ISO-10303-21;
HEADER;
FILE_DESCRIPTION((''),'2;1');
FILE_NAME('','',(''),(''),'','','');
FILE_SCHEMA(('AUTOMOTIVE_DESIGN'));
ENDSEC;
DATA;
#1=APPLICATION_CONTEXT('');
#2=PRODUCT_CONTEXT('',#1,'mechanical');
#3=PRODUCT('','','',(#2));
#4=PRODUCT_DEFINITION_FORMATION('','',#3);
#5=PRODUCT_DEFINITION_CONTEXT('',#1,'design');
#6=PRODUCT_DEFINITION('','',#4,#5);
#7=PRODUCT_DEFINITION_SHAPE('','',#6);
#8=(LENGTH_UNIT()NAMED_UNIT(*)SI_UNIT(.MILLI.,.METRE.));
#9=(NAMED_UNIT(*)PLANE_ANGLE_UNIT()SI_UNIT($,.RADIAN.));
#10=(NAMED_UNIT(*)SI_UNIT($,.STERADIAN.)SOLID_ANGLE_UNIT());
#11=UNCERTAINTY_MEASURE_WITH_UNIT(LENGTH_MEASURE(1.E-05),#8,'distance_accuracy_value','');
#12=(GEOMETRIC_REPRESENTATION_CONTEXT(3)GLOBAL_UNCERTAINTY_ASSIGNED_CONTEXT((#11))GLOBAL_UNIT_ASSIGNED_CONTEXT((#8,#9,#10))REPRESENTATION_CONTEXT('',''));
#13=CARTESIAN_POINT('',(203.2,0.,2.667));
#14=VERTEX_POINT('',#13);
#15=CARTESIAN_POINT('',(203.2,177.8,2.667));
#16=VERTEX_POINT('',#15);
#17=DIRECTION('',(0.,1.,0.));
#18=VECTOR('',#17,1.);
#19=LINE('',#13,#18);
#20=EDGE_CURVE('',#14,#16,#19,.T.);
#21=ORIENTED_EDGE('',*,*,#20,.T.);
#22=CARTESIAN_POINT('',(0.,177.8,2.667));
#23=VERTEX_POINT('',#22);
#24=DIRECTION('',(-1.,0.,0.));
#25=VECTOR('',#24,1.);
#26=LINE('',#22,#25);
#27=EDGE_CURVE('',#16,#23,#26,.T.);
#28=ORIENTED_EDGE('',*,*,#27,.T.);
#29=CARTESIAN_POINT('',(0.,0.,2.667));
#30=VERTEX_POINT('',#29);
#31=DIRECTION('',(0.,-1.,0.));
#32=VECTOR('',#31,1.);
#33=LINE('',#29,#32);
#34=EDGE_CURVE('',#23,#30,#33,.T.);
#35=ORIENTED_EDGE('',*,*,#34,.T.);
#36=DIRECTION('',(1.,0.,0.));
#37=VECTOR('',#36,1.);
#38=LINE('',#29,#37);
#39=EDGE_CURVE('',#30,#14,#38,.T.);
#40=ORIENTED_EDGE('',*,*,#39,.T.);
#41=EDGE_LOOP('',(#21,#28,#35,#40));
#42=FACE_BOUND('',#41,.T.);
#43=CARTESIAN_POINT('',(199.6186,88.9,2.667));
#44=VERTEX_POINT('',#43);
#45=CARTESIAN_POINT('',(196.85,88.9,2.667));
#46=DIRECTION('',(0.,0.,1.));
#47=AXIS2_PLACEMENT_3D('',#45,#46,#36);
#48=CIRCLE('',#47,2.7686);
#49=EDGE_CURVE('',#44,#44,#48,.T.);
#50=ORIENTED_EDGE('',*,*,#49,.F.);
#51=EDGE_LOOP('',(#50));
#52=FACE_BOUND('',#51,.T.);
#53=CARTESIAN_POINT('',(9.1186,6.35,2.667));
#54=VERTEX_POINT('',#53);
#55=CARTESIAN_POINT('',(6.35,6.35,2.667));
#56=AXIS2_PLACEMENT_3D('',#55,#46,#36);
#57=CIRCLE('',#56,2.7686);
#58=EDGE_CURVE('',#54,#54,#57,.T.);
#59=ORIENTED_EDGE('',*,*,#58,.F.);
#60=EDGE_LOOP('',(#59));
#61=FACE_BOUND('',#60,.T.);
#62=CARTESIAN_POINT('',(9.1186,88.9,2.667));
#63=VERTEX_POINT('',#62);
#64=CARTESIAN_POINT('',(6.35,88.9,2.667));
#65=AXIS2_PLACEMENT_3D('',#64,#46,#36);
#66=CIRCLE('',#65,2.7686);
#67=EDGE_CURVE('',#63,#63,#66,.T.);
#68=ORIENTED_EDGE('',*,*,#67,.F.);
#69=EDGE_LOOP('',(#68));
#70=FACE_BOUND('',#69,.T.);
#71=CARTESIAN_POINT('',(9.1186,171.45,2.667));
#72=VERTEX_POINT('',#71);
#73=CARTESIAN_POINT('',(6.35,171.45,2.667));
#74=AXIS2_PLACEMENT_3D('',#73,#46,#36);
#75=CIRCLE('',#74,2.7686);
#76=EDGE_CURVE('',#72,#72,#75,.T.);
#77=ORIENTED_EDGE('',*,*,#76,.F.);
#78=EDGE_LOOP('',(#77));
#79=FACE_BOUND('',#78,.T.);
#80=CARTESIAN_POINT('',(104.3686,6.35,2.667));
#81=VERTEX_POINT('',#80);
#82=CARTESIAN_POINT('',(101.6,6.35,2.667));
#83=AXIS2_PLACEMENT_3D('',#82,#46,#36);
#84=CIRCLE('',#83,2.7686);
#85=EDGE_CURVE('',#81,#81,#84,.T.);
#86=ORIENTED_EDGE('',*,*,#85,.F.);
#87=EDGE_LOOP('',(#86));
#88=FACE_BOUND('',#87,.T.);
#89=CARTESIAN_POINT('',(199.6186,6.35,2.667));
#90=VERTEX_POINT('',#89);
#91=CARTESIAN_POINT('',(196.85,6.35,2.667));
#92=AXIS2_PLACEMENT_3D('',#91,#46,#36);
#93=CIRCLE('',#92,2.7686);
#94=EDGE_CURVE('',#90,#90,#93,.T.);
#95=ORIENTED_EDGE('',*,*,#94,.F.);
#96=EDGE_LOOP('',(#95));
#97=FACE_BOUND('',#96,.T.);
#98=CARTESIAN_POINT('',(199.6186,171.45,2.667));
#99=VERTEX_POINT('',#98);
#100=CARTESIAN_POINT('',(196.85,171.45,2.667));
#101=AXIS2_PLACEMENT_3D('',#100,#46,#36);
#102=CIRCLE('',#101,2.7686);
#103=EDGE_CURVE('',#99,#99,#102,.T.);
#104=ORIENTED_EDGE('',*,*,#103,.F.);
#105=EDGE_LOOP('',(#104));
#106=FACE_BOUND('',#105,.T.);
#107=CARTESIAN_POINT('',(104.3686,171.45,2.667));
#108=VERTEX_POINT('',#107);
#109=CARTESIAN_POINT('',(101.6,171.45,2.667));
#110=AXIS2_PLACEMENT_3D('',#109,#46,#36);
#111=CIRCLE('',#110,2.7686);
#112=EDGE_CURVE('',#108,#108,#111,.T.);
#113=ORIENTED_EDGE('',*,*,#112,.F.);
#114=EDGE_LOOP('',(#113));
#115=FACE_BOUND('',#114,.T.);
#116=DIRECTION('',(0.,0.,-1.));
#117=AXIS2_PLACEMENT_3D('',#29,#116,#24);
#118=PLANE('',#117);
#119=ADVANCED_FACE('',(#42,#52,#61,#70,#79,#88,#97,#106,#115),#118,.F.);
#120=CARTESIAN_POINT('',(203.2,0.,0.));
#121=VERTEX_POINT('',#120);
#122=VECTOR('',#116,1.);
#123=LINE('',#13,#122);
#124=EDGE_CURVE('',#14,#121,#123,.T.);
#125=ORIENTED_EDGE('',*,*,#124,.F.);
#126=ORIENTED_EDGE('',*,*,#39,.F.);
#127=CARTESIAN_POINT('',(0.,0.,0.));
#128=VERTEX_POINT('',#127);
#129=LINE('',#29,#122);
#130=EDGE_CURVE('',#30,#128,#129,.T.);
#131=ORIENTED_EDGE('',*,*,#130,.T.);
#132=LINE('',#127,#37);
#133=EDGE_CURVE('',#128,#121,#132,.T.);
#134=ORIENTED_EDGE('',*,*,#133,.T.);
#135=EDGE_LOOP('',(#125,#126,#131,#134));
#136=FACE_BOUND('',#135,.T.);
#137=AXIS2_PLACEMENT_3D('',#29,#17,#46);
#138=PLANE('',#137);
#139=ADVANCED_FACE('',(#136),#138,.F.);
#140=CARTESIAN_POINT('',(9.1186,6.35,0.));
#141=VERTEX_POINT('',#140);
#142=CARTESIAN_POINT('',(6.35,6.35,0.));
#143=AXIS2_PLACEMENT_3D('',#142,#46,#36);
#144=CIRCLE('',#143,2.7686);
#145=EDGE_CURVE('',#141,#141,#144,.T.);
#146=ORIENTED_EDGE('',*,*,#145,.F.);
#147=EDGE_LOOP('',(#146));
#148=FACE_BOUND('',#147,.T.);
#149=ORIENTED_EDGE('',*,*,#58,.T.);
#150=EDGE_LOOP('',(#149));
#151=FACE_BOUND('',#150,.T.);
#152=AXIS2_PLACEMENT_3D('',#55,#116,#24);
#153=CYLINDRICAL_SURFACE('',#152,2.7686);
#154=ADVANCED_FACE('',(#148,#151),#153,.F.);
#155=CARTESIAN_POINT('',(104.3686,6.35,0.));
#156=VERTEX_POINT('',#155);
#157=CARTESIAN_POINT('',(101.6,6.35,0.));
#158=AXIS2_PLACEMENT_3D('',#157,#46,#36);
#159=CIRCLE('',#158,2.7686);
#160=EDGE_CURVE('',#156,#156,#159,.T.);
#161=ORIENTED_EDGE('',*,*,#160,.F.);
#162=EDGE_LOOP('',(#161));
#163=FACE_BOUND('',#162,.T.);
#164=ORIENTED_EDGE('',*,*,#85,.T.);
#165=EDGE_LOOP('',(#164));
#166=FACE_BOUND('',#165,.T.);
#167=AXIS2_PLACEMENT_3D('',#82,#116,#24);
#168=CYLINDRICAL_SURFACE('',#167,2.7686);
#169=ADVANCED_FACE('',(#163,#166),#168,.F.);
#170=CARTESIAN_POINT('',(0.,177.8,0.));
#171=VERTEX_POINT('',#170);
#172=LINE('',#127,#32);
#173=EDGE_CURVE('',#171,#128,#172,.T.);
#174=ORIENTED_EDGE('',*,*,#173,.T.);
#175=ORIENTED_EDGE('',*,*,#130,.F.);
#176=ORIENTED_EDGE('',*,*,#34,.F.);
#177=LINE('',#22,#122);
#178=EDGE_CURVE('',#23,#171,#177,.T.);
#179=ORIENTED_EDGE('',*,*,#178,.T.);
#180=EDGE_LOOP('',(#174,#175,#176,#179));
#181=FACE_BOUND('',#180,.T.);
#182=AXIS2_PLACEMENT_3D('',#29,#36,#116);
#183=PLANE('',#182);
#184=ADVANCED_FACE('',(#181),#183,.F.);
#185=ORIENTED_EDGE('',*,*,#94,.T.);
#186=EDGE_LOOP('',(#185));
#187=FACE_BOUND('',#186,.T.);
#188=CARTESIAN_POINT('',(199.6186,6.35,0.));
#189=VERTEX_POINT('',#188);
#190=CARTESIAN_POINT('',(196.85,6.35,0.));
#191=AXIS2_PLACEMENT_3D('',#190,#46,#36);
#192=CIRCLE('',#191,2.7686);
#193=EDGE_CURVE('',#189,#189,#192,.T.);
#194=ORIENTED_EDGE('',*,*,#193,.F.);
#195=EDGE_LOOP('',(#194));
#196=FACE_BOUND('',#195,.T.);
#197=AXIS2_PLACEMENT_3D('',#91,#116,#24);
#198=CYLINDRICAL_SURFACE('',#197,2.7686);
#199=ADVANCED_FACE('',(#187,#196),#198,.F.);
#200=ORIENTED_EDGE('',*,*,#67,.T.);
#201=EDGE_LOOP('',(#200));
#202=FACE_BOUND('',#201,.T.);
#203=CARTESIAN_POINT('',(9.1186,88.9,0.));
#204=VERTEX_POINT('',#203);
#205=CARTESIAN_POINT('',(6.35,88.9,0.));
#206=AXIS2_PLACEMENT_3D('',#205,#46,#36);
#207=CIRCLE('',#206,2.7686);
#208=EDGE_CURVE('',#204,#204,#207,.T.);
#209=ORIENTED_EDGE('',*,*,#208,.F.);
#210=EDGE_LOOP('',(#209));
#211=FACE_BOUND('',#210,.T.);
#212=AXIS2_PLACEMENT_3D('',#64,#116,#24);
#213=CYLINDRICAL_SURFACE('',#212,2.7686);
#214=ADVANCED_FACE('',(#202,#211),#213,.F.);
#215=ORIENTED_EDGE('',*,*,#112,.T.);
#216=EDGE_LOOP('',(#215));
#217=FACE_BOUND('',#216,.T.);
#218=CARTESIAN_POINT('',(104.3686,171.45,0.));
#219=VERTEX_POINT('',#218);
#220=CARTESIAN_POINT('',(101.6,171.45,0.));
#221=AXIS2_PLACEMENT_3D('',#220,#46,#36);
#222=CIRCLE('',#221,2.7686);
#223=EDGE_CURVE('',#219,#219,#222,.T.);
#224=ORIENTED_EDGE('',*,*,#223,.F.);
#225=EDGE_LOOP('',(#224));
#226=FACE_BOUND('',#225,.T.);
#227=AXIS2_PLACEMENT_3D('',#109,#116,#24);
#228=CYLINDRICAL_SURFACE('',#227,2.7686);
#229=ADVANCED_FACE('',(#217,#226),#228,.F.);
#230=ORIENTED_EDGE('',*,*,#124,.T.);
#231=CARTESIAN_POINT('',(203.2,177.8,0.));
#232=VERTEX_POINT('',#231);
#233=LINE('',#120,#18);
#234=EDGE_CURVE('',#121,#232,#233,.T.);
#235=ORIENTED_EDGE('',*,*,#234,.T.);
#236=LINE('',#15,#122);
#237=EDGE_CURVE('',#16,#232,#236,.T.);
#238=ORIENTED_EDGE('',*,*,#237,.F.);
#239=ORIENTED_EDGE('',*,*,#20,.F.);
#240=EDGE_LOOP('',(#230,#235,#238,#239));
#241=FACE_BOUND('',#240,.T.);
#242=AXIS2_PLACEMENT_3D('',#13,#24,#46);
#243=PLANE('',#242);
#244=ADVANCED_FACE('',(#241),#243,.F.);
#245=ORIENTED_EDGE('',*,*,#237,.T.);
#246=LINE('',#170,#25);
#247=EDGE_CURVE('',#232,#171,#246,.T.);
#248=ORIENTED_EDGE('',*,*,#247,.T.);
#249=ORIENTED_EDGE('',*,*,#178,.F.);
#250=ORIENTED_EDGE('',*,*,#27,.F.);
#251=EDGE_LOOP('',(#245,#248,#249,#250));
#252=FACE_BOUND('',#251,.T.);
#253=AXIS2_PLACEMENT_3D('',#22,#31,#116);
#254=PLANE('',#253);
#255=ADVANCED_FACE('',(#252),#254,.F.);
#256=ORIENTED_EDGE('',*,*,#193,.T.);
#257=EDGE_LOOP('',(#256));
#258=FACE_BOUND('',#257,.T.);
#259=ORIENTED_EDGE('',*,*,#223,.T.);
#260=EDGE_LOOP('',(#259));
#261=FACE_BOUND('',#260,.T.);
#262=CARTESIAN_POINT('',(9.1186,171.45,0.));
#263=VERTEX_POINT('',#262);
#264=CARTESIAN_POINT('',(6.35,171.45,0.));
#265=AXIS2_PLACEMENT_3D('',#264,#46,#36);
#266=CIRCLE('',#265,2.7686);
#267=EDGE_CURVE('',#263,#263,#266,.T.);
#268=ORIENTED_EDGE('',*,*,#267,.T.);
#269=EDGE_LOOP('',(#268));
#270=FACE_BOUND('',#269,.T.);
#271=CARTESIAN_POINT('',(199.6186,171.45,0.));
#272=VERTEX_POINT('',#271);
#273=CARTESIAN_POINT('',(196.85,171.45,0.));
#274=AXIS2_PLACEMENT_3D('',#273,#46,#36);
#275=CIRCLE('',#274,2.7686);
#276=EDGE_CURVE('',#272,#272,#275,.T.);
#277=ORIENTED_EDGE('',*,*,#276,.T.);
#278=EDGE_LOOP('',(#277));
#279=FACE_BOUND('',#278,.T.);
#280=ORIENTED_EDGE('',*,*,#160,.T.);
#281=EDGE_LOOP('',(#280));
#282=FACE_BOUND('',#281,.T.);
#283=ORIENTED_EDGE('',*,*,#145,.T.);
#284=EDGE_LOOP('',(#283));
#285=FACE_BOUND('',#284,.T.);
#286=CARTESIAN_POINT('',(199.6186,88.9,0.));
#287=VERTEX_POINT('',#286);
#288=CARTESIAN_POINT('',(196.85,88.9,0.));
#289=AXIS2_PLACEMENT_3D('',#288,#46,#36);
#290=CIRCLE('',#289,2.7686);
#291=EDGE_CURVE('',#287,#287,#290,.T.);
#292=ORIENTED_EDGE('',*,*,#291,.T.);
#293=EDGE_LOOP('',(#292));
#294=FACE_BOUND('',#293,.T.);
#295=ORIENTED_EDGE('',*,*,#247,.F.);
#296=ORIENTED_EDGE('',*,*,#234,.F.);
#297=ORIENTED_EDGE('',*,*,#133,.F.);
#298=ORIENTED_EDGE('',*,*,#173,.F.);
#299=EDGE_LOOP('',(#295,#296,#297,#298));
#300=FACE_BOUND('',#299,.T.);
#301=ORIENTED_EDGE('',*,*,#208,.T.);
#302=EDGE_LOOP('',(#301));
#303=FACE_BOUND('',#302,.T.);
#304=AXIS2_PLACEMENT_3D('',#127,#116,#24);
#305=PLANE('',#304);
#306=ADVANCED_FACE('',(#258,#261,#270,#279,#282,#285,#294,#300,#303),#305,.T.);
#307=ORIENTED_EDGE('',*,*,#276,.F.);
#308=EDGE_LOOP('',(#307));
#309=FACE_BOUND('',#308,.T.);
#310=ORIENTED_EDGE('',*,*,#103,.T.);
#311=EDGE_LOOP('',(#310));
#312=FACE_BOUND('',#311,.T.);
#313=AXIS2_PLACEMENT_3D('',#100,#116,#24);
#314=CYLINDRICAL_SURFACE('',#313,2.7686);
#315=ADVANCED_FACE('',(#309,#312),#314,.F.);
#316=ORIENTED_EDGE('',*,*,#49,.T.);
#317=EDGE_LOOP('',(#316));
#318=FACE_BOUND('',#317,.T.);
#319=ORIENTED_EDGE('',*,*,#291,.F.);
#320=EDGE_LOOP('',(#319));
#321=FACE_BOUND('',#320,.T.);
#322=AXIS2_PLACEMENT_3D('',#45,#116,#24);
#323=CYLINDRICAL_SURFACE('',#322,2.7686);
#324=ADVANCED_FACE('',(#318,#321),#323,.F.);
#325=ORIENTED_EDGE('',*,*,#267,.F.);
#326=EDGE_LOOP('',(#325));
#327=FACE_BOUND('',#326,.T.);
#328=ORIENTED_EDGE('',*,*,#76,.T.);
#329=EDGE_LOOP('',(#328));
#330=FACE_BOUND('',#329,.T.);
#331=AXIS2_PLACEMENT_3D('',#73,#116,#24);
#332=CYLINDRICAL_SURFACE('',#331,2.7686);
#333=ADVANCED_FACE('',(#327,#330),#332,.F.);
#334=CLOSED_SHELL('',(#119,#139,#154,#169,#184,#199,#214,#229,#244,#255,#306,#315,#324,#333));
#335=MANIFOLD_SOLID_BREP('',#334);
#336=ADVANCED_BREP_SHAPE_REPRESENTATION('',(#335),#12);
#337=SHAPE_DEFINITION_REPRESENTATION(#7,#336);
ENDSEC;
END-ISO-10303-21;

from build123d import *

# Parameters (mm, degrees)
SKETCH1_W           = 203.2
SKETCH1_H           = 177.8
BOSS_EXTRUDE1_DEPTH = 2.667
SKETCH2_R           = 2.7686
CUT_EXTRUDE1_DEPTH  = 271.018875061


with BuildPart() as part:
    # Sketch1 → Boss-Extrude1 (new body)
    with BuildSketch(Plane.XY):
        with Locations((101.6, 88.9)):
            Rectangle(SKETCH1_W, SKETCH1_H)
    extrude(amount=BOSS_EXTRUDE1_DEPTH)

    # Sketch2 → Cut-Extrude1 (cut, through all)
    with BuildSketch(Plane.XY):
        with Locations((6.35, 6.35)):
            Circle(SKETCH2_R)
        with Locations((101.6, 6.35)):
            Circle(SKETCH2_R)
        with Locations((196.85, 6.35)):
            Circle(SKETCH2_R)
        with Locations((6.35, 88.9)):
            Circle(SKETCH2_R)
        with Locations((196.85, 88.9)):
            Circle(SKETCH2_R)
        with Locations((6.35, 171.45)):
            Circle(SKETCH2_R)
        with Locations((101.6, 171.45)):
            Circle(SKETCH2_R)
        with Locations((196.85, 171.45)):
            Circle(SKETCH2_R)
    extrude(amount=CUT_EXTRUDE1_DEPTH, mode=Mode.SUBTRACT)


solid = part.part
